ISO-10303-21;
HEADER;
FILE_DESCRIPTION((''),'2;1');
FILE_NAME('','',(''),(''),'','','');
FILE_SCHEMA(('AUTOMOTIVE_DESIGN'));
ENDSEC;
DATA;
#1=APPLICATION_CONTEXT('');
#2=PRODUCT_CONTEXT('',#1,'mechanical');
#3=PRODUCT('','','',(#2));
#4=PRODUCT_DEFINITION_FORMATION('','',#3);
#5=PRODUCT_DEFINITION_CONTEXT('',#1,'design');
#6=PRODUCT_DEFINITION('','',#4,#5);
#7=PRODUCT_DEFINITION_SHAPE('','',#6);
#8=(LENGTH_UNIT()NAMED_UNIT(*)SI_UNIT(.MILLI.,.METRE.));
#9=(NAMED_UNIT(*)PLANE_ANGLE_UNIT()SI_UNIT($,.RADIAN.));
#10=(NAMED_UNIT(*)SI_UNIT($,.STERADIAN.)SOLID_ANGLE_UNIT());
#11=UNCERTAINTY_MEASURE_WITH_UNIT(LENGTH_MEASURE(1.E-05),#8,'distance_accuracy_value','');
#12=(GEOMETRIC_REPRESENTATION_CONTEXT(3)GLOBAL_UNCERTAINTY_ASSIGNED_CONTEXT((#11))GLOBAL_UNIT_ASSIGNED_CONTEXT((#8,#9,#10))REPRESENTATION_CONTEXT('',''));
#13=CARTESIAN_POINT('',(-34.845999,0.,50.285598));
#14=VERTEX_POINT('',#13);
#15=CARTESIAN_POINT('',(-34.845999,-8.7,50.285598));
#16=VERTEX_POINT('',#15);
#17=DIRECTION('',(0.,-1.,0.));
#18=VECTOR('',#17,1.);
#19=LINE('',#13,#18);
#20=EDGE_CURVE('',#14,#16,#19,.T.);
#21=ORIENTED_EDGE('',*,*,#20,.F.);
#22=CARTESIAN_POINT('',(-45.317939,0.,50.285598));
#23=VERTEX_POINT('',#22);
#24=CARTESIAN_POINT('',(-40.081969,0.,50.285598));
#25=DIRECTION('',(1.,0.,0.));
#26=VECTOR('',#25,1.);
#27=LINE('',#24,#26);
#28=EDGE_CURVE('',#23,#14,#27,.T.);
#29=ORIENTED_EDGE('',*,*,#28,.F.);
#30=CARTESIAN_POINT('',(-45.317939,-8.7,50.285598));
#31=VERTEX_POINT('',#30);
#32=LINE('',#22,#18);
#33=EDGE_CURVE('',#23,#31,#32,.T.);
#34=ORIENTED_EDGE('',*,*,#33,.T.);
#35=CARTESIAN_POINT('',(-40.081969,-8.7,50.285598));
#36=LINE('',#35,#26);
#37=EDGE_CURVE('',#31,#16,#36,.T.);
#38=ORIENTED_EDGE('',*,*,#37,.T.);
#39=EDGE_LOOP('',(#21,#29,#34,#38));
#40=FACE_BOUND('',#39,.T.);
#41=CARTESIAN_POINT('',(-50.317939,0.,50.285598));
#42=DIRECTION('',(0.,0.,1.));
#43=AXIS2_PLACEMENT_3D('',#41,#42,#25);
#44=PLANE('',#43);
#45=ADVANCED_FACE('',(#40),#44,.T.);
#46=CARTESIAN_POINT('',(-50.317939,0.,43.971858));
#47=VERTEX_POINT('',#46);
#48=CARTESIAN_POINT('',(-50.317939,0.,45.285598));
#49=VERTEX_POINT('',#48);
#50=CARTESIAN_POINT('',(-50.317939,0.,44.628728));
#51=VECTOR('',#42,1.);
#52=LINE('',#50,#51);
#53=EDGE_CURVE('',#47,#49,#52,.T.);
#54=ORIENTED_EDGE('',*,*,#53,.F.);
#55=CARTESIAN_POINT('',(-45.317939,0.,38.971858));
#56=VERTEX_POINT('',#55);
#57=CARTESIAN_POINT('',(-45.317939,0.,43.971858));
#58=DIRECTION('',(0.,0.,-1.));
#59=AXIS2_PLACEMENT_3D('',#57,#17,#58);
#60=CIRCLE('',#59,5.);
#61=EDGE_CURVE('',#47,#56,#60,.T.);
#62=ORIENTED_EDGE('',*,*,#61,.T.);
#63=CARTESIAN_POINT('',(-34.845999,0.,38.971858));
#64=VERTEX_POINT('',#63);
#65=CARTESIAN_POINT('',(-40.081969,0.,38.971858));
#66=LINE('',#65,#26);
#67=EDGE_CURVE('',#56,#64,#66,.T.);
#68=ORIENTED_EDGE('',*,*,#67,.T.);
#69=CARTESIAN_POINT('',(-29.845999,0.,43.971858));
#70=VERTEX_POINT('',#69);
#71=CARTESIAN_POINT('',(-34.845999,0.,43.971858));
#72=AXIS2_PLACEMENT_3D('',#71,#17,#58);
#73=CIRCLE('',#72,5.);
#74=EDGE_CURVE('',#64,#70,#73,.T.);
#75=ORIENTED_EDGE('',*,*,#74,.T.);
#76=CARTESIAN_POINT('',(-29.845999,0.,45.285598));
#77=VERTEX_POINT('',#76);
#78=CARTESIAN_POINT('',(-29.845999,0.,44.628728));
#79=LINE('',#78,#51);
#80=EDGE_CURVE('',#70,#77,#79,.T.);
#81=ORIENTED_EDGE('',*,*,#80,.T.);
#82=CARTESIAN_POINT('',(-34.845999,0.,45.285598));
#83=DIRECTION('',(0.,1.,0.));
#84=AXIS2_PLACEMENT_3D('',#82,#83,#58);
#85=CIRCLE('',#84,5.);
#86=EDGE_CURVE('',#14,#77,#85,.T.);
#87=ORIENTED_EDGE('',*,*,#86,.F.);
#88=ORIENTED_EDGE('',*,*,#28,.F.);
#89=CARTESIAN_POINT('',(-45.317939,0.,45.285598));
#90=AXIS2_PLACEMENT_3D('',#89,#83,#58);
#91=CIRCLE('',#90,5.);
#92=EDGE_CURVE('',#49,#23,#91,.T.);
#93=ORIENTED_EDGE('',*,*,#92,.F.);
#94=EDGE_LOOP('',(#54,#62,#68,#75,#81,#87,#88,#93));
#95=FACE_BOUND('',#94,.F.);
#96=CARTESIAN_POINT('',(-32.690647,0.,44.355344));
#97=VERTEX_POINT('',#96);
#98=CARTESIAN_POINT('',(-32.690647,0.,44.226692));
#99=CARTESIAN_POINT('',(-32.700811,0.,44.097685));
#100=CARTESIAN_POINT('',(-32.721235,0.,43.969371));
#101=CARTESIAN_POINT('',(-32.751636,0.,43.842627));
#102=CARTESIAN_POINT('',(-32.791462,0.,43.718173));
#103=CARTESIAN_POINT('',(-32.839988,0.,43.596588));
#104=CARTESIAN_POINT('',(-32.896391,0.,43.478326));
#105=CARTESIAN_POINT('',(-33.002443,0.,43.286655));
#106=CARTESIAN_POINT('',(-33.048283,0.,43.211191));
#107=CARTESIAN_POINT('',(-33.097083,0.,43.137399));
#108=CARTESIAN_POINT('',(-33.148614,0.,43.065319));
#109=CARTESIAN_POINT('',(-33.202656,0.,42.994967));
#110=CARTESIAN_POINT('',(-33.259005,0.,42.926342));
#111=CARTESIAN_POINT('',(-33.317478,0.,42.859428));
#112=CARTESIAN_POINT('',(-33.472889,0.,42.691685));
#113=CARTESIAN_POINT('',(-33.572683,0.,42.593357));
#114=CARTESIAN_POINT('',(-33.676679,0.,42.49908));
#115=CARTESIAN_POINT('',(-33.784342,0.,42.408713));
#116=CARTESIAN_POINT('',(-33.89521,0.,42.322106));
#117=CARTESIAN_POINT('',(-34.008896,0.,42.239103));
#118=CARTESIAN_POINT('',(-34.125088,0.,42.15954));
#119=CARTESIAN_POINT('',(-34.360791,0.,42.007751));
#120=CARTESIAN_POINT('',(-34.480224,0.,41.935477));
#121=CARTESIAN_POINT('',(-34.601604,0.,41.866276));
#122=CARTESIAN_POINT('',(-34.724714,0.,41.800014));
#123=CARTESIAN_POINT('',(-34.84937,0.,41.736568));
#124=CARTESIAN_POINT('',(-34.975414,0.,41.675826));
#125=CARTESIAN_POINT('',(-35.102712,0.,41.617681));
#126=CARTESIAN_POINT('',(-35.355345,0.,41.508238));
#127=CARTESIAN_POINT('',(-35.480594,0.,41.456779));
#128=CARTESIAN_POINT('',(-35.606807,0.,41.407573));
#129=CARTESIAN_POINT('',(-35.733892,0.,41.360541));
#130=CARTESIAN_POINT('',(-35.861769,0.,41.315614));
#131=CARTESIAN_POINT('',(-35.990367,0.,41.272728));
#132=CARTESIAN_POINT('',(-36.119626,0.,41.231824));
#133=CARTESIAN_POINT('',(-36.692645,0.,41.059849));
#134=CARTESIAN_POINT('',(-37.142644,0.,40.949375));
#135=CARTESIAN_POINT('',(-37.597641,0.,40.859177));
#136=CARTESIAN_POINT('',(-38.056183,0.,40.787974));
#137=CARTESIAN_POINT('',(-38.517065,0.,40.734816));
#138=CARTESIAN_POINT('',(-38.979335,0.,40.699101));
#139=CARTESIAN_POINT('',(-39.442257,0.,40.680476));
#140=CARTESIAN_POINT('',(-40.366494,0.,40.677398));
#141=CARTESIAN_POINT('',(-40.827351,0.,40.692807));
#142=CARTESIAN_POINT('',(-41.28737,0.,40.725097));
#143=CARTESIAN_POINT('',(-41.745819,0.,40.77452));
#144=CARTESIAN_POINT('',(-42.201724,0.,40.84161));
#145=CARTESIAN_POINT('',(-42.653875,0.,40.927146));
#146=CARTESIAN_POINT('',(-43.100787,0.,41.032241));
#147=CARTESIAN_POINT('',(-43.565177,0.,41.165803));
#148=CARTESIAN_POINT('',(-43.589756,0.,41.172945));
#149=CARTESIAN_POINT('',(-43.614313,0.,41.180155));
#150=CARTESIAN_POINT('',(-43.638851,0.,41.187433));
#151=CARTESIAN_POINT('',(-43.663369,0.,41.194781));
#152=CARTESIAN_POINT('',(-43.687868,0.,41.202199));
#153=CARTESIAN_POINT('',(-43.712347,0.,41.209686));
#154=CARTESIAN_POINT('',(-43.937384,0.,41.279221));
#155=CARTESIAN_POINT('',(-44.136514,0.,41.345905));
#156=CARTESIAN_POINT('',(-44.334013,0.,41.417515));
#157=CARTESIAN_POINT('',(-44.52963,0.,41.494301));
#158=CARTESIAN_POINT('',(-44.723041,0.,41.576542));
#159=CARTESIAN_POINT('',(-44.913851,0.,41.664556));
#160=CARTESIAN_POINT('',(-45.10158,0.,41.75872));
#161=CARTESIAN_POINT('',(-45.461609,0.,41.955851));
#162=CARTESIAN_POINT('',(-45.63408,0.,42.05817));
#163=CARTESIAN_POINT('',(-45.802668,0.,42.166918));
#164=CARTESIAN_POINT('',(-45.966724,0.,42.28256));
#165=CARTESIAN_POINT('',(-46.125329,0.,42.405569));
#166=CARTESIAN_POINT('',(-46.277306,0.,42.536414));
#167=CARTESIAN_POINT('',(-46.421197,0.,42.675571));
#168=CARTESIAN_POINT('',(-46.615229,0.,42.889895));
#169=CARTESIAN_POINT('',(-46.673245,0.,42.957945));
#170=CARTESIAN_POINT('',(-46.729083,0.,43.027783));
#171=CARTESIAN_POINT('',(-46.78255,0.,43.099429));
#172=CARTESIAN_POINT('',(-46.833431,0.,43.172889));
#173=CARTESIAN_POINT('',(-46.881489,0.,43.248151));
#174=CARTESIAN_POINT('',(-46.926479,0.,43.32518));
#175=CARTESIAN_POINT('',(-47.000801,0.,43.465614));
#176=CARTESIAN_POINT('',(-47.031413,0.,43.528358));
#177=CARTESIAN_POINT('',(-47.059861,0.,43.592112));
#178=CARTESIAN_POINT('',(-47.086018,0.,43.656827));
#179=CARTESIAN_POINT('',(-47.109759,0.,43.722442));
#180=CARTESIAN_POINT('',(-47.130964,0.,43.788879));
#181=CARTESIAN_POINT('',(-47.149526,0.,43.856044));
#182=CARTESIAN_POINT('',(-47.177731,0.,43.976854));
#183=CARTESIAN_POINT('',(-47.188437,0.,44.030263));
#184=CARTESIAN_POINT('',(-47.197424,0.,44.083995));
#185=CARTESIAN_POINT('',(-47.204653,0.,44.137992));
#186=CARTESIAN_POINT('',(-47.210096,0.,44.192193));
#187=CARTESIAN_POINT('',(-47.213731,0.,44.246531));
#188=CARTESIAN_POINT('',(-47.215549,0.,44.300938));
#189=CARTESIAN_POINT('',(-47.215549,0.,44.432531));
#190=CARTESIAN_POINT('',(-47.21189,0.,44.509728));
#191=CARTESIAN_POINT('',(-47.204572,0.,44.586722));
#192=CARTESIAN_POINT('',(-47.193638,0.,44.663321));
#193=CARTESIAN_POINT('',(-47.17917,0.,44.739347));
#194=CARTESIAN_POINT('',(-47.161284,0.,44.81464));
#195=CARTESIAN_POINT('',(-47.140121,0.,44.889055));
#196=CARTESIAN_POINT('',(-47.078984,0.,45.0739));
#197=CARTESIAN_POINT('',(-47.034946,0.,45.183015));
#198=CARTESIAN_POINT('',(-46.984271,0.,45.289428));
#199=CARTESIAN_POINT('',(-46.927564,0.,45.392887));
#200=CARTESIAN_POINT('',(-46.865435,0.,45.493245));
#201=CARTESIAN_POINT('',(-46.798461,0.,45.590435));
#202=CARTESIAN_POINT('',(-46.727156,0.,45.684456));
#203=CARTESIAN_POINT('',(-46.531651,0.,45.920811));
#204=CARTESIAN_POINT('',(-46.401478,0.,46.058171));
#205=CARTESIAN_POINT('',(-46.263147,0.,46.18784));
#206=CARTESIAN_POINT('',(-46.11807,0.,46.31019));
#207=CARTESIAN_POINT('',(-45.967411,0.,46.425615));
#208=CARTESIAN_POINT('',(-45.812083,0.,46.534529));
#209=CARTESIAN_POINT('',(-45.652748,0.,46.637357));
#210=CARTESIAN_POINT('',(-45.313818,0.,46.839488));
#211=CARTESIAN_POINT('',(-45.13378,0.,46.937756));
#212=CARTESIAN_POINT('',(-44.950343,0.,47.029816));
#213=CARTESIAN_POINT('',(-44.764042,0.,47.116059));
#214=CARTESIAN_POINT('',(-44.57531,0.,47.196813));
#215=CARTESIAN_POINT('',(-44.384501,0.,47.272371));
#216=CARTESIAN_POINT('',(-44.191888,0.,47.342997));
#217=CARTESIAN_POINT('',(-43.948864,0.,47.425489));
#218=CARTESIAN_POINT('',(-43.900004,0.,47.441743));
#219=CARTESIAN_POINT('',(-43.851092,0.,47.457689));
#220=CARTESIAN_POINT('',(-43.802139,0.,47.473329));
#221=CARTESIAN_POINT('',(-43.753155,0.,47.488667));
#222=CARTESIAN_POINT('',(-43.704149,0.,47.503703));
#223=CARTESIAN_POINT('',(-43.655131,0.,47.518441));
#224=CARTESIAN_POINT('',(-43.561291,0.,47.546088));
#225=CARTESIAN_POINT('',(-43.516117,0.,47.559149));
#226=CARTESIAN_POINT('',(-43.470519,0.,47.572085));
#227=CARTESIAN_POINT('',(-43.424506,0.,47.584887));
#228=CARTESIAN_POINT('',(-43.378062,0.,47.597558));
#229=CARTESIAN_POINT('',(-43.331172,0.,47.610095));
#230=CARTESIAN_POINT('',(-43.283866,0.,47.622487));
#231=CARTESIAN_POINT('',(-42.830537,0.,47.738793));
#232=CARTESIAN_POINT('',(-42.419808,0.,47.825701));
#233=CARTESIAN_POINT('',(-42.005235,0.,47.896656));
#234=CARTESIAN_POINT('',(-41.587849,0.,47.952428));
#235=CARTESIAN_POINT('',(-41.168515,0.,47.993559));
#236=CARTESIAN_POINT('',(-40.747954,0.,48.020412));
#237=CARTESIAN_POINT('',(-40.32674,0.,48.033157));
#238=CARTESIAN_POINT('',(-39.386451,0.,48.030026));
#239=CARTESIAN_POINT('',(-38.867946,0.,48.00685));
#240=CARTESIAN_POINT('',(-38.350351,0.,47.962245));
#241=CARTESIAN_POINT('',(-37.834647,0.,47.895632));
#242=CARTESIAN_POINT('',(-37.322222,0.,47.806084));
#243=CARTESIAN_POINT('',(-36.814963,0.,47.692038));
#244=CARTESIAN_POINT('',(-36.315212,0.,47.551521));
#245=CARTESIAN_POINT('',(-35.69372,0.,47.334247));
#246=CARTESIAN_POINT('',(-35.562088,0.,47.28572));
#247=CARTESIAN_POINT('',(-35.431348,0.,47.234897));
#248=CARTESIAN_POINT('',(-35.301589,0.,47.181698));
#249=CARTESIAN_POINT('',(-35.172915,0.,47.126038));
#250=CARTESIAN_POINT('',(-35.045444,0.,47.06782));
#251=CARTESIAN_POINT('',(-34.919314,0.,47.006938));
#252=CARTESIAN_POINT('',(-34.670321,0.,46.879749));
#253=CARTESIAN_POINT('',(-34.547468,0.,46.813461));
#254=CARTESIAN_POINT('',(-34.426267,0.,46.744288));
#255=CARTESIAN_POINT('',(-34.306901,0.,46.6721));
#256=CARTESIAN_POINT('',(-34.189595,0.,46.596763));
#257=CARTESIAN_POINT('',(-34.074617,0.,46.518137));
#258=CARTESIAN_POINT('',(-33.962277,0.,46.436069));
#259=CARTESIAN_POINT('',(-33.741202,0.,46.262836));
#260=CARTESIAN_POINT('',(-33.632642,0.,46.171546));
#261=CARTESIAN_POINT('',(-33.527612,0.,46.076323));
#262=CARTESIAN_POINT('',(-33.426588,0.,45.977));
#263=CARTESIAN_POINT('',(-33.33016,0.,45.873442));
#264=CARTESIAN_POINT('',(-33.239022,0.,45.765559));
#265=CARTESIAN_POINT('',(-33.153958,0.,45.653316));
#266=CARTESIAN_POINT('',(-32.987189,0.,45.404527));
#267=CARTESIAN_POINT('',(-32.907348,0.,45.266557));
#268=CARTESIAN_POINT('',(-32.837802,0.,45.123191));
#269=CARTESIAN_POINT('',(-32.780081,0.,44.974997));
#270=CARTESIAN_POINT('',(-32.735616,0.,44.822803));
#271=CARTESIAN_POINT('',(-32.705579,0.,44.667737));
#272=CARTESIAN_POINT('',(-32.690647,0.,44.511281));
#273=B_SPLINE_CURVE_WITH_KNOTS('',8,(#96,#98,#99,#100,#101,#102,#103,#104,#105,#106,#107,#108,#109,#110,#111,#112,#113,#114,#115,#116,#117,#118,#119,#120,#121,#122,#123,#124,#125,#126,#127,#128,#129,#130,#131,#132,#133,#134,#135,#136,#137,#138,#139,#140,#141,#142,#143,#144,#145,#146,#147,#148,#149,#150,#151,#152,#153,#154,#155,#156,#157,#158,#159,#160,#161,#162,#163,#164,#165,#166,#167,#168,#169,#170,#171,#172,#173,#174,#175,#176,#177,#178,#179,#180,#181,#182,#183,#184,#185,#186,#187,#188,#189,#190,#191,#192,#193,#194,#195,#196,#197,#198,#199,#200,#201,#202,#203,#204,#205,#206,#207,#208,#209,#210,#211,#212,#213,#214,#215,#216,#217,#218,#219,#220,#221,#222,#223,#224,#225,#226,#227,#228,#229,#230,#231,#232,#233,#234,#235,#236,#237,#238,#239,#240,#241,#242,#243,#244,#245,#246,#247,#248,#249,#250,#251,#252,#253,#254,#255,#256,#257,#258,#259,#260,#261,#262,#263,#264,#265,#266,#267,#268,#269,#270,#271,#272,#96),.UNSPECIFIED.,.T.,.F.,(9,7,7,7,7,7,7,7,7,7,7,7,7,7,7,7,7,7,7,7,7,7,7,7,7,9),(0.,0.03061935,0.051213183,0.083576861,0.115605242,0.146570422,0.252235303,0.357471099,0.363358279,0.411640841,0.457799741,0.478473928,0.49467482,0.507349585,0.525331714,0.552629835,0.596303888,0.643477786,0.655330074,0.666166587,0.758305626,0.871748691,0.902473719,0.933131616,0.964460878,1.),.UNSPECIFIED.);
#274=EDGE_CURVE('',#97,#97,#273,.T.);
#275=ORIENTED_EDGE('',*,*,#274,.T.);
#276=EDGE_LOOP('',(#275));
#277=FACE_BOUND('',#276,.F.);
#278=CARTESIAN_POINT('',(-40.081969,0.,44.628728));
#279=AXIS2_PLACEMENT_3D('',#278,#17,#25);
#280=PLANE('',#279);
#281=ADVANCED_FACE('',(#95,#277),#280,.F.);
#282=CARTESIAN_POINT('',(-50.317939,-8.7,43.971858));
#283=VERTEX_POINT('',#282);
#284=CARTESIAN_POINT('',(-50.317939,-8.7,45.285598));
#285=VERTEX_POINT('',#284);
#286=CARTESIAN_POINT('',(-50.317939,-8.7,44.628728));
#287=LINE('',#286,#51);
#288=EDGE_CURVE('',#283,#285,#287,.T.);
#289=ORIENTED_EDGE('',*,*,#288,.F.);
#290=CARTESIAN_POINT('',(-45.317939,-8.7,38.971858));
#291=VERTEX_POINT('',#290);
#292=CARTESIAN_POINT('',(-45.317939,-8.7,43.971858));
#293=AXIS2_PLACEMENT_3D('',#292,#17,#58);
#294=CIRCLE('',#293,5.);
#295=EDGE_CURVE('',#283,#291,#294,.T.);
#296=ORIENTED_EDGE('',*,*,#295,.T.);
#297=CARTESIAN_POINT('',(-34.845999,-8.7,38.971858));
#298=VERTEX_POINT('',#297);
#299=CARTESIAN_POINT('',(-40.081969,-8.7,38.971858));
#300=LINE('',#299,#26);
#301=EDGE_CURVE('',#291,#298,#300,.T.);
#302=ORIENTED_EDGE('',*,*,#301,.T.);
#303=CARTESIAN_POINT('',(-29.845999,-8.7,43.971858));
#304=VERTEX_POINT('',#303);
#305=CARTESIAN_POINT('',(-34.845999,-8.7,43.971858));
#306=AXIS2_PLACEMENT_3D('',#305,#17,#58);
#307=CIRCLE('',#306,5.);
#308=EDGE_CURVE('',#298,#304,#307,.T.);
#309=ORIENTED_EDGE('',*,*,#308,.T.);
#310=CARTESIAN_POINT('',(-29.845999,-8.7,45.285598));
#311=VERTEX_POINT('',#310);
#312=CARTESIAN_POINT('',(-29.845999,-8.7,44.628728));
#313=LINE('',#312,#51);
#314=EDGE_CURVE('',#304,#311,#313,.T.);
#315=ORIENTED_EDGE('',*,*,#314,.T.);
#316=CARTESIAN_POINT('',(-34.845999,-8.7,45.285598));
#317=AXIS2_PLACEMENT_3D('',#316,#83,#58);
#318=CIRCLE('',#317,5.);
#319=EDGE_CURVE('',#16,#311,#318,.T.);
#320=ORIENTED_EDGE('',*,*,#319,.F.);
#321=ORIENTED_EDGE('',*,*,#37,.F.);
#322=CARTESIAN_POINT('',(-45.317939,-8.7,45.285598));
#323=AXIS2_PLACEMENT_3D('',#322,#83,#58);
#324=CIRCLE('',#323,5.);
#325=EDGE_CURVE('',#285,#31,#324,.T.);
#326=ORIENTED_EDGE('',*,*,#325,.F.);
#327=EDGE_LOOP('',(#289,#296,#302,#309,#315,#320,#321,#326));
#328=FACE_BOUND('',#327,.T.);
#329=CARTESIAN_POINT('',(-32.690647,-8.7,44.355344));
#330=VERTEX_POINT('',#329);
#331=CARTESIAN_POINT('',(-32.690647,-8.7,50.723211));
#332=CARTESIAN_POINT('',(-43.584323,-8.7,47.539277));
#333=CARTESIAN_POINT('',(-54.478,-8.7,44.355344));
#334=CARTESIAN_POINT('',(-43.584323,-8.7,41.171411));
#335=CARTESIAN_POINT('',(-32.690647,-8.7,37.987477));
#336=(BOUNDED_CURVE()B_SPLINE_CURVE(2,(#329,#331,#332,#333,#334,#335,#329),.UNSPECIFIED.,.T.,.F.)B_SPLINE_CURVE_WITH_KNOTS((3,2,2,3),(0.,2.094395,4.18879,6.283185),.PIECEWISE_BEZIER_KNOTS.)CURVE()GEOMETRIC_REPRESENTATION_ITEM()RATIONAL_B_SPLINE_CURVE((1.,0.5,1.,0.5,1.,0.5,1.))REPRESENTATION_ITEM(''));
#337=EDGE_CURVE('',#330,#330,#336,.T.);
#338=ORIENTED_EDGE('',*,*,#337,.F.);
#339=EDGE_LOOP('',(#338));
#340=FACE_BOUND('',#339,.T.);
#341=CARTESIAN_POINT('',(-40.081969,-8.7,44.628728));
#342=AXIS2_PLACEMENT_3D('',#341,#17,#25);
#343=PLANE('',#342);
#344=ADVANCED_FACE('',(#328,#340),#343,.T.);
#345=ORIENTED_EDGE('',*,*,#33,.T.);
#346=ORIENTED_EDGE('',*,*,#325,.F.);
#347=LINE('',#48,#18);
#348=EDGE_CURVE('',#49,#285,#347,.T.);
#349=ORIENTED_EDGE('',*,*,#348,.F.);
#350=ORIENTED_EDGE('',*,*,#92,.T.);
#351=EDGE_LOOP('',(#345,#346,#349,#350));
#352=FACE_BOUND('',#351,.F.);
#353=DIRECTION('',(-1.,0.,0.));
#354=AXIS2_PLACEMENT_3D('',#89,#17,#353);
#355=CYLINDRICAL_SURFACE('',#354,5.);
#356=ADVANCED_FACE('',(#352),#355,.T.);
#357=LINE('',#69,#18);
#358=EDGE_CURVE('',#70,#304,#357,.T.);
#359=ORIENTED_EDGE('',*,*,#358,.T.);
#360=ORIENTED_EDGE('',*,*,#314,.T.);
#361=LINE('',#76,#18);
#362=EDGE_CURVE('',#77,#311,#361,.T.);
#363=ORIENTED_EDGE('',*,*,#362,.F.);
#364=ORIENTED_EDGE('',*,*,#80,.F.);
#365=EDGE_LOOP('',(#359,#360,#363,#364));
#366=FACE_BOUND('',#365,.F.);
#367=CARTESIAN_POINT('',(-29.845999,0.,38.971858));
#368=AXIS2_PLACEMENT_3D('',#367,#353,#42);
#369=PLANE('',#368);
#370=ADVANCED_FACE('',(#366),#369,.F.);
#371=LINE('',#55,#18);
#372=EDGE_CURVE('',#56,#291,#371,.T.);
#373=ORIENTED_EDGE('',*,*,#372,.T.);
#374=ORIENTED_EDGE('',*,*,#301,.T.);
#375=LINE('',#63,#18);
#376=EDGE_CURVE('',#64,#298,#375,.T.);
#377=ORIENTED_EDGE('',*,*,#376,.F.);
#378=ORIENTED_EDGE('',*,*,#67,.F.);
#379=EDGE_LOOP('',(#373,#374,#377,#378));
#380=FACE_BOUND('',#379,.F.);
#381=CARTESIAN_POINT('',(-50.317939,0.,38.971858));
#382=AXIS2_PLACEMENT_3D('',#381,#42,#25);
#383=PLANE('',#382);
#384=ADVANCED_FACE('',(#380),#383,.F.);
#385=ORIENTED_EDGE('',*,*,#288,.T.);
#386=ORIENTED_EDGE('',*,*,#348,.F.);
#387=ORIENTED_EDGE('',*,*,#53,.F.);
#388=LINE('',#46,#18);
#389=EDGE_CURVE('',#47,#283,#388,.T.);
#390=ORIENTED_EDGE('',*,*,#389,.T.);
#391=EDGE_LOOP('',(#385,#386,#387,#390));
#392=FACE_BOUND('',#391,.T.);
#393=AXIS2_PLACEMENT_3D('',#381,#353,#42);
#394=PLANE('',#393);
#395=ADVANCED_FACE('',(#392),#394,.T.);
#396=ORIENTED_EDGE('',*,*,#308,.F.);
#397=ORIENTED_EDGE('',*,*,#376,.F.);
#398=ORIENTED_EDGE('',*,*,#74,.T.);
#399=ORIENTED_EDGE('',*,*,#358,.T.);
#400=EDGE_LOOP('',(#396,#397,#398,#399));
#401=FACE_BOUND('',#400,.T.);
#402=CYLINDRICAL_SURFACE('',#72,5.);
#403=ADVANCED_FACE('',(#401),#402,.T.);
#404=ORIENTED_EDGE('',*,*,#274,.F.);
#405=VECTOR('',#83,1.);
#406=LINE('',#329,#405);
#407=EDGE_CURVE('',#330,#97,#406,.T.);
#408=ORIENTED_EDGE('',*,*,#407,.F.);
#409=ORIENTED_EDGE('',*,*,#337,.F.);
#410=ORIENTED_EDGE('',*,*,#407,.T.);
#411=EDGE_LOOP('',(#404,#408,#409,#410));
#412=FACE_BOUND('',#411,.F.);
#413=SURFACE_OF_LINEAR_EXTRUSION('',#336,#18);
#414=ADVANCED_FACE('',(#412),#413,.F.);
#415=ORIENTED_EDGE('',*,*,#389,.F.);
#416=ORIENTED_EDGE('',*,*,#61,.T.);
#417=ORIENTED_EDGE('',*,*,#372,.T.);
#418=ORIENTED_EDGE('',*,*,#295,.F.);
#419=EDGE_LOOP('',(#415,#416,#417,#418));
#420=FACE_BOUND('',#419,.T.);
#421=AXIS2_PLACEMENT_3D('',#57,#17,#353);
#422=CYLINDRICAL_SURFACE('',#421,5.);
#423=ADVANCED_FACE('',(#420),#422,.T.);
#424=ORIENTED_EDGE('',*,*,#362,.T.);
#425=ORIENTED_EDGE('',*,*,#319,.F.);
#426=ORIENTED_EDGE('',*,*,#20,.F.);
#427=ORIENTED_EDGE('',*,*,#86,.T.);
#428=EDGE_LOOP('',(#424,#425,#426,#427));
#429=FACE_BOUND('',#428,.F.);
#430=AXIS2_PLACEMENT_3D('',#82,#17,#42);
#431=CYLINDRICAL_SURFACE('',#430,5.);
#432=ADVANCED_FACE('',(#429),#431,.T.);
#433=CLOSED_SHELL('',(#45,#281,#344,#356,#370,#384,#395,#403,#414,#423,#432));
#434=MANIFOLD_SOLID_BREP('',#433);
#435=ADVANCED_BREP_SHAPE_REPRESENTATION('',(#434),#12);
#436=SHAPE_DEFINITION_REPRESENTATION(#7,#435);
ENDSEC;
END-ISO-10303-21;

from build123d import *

# Parameters (mm, degrees)
F0_W     = 20.47194
F0_H     = 11.31374
F1_DEPTH = 8.7
F3_DEPTH = 25
F4_R     = 5


with BuildPart() as f1:
    # F0 (on Front) → F1 (new body)
    with BuildSketch(Plane.XZ):
        with Locations((-40.081969, 44.628728)):
            Rectangle(F0_W, F0_H)
    extrude(amount=F1_DEPTH)

    # F2 (on face) → F3 (cut)
    with BuildSketch(Plane.XZ.offset(8.7)):
        with BuildLine():
            add(Edge.make_bspline(
                [(-32.690647, 44.355344), (-32.690647, 50.723211), (-43.584323, 47.539277), (-54.478, 44.355344), (-43.584323, 41.171411), (-32.690647, 37.987477), (-32.690647, 44.355344)],
                knots=[0, 0, 0, 2.094395, 2.094395, 4.18879, 4.18879, 6.283185, 6.283185, 6.283185], degree=2, weights=[1, 0.5, 1, 0.5, 1, 0.5, 1]))
        make_face()
    extrude(amount=-F3_DEPTH, mode=Mode.SUBTRACT)

    # F4
    f4_edges = [f1.edges().sort_by_distance(p)[0] for p in [
        (-50.317939, -4.35, 50.285598),
        (-50.317939, -4.35, 38.971858),
        (-29.845999, -4.35, 38.971858),
        (-29.845999, -4.35, 50.285598),
    ]]
    fillet(f4_edges, radius=F4_R)


solid = f1.part
